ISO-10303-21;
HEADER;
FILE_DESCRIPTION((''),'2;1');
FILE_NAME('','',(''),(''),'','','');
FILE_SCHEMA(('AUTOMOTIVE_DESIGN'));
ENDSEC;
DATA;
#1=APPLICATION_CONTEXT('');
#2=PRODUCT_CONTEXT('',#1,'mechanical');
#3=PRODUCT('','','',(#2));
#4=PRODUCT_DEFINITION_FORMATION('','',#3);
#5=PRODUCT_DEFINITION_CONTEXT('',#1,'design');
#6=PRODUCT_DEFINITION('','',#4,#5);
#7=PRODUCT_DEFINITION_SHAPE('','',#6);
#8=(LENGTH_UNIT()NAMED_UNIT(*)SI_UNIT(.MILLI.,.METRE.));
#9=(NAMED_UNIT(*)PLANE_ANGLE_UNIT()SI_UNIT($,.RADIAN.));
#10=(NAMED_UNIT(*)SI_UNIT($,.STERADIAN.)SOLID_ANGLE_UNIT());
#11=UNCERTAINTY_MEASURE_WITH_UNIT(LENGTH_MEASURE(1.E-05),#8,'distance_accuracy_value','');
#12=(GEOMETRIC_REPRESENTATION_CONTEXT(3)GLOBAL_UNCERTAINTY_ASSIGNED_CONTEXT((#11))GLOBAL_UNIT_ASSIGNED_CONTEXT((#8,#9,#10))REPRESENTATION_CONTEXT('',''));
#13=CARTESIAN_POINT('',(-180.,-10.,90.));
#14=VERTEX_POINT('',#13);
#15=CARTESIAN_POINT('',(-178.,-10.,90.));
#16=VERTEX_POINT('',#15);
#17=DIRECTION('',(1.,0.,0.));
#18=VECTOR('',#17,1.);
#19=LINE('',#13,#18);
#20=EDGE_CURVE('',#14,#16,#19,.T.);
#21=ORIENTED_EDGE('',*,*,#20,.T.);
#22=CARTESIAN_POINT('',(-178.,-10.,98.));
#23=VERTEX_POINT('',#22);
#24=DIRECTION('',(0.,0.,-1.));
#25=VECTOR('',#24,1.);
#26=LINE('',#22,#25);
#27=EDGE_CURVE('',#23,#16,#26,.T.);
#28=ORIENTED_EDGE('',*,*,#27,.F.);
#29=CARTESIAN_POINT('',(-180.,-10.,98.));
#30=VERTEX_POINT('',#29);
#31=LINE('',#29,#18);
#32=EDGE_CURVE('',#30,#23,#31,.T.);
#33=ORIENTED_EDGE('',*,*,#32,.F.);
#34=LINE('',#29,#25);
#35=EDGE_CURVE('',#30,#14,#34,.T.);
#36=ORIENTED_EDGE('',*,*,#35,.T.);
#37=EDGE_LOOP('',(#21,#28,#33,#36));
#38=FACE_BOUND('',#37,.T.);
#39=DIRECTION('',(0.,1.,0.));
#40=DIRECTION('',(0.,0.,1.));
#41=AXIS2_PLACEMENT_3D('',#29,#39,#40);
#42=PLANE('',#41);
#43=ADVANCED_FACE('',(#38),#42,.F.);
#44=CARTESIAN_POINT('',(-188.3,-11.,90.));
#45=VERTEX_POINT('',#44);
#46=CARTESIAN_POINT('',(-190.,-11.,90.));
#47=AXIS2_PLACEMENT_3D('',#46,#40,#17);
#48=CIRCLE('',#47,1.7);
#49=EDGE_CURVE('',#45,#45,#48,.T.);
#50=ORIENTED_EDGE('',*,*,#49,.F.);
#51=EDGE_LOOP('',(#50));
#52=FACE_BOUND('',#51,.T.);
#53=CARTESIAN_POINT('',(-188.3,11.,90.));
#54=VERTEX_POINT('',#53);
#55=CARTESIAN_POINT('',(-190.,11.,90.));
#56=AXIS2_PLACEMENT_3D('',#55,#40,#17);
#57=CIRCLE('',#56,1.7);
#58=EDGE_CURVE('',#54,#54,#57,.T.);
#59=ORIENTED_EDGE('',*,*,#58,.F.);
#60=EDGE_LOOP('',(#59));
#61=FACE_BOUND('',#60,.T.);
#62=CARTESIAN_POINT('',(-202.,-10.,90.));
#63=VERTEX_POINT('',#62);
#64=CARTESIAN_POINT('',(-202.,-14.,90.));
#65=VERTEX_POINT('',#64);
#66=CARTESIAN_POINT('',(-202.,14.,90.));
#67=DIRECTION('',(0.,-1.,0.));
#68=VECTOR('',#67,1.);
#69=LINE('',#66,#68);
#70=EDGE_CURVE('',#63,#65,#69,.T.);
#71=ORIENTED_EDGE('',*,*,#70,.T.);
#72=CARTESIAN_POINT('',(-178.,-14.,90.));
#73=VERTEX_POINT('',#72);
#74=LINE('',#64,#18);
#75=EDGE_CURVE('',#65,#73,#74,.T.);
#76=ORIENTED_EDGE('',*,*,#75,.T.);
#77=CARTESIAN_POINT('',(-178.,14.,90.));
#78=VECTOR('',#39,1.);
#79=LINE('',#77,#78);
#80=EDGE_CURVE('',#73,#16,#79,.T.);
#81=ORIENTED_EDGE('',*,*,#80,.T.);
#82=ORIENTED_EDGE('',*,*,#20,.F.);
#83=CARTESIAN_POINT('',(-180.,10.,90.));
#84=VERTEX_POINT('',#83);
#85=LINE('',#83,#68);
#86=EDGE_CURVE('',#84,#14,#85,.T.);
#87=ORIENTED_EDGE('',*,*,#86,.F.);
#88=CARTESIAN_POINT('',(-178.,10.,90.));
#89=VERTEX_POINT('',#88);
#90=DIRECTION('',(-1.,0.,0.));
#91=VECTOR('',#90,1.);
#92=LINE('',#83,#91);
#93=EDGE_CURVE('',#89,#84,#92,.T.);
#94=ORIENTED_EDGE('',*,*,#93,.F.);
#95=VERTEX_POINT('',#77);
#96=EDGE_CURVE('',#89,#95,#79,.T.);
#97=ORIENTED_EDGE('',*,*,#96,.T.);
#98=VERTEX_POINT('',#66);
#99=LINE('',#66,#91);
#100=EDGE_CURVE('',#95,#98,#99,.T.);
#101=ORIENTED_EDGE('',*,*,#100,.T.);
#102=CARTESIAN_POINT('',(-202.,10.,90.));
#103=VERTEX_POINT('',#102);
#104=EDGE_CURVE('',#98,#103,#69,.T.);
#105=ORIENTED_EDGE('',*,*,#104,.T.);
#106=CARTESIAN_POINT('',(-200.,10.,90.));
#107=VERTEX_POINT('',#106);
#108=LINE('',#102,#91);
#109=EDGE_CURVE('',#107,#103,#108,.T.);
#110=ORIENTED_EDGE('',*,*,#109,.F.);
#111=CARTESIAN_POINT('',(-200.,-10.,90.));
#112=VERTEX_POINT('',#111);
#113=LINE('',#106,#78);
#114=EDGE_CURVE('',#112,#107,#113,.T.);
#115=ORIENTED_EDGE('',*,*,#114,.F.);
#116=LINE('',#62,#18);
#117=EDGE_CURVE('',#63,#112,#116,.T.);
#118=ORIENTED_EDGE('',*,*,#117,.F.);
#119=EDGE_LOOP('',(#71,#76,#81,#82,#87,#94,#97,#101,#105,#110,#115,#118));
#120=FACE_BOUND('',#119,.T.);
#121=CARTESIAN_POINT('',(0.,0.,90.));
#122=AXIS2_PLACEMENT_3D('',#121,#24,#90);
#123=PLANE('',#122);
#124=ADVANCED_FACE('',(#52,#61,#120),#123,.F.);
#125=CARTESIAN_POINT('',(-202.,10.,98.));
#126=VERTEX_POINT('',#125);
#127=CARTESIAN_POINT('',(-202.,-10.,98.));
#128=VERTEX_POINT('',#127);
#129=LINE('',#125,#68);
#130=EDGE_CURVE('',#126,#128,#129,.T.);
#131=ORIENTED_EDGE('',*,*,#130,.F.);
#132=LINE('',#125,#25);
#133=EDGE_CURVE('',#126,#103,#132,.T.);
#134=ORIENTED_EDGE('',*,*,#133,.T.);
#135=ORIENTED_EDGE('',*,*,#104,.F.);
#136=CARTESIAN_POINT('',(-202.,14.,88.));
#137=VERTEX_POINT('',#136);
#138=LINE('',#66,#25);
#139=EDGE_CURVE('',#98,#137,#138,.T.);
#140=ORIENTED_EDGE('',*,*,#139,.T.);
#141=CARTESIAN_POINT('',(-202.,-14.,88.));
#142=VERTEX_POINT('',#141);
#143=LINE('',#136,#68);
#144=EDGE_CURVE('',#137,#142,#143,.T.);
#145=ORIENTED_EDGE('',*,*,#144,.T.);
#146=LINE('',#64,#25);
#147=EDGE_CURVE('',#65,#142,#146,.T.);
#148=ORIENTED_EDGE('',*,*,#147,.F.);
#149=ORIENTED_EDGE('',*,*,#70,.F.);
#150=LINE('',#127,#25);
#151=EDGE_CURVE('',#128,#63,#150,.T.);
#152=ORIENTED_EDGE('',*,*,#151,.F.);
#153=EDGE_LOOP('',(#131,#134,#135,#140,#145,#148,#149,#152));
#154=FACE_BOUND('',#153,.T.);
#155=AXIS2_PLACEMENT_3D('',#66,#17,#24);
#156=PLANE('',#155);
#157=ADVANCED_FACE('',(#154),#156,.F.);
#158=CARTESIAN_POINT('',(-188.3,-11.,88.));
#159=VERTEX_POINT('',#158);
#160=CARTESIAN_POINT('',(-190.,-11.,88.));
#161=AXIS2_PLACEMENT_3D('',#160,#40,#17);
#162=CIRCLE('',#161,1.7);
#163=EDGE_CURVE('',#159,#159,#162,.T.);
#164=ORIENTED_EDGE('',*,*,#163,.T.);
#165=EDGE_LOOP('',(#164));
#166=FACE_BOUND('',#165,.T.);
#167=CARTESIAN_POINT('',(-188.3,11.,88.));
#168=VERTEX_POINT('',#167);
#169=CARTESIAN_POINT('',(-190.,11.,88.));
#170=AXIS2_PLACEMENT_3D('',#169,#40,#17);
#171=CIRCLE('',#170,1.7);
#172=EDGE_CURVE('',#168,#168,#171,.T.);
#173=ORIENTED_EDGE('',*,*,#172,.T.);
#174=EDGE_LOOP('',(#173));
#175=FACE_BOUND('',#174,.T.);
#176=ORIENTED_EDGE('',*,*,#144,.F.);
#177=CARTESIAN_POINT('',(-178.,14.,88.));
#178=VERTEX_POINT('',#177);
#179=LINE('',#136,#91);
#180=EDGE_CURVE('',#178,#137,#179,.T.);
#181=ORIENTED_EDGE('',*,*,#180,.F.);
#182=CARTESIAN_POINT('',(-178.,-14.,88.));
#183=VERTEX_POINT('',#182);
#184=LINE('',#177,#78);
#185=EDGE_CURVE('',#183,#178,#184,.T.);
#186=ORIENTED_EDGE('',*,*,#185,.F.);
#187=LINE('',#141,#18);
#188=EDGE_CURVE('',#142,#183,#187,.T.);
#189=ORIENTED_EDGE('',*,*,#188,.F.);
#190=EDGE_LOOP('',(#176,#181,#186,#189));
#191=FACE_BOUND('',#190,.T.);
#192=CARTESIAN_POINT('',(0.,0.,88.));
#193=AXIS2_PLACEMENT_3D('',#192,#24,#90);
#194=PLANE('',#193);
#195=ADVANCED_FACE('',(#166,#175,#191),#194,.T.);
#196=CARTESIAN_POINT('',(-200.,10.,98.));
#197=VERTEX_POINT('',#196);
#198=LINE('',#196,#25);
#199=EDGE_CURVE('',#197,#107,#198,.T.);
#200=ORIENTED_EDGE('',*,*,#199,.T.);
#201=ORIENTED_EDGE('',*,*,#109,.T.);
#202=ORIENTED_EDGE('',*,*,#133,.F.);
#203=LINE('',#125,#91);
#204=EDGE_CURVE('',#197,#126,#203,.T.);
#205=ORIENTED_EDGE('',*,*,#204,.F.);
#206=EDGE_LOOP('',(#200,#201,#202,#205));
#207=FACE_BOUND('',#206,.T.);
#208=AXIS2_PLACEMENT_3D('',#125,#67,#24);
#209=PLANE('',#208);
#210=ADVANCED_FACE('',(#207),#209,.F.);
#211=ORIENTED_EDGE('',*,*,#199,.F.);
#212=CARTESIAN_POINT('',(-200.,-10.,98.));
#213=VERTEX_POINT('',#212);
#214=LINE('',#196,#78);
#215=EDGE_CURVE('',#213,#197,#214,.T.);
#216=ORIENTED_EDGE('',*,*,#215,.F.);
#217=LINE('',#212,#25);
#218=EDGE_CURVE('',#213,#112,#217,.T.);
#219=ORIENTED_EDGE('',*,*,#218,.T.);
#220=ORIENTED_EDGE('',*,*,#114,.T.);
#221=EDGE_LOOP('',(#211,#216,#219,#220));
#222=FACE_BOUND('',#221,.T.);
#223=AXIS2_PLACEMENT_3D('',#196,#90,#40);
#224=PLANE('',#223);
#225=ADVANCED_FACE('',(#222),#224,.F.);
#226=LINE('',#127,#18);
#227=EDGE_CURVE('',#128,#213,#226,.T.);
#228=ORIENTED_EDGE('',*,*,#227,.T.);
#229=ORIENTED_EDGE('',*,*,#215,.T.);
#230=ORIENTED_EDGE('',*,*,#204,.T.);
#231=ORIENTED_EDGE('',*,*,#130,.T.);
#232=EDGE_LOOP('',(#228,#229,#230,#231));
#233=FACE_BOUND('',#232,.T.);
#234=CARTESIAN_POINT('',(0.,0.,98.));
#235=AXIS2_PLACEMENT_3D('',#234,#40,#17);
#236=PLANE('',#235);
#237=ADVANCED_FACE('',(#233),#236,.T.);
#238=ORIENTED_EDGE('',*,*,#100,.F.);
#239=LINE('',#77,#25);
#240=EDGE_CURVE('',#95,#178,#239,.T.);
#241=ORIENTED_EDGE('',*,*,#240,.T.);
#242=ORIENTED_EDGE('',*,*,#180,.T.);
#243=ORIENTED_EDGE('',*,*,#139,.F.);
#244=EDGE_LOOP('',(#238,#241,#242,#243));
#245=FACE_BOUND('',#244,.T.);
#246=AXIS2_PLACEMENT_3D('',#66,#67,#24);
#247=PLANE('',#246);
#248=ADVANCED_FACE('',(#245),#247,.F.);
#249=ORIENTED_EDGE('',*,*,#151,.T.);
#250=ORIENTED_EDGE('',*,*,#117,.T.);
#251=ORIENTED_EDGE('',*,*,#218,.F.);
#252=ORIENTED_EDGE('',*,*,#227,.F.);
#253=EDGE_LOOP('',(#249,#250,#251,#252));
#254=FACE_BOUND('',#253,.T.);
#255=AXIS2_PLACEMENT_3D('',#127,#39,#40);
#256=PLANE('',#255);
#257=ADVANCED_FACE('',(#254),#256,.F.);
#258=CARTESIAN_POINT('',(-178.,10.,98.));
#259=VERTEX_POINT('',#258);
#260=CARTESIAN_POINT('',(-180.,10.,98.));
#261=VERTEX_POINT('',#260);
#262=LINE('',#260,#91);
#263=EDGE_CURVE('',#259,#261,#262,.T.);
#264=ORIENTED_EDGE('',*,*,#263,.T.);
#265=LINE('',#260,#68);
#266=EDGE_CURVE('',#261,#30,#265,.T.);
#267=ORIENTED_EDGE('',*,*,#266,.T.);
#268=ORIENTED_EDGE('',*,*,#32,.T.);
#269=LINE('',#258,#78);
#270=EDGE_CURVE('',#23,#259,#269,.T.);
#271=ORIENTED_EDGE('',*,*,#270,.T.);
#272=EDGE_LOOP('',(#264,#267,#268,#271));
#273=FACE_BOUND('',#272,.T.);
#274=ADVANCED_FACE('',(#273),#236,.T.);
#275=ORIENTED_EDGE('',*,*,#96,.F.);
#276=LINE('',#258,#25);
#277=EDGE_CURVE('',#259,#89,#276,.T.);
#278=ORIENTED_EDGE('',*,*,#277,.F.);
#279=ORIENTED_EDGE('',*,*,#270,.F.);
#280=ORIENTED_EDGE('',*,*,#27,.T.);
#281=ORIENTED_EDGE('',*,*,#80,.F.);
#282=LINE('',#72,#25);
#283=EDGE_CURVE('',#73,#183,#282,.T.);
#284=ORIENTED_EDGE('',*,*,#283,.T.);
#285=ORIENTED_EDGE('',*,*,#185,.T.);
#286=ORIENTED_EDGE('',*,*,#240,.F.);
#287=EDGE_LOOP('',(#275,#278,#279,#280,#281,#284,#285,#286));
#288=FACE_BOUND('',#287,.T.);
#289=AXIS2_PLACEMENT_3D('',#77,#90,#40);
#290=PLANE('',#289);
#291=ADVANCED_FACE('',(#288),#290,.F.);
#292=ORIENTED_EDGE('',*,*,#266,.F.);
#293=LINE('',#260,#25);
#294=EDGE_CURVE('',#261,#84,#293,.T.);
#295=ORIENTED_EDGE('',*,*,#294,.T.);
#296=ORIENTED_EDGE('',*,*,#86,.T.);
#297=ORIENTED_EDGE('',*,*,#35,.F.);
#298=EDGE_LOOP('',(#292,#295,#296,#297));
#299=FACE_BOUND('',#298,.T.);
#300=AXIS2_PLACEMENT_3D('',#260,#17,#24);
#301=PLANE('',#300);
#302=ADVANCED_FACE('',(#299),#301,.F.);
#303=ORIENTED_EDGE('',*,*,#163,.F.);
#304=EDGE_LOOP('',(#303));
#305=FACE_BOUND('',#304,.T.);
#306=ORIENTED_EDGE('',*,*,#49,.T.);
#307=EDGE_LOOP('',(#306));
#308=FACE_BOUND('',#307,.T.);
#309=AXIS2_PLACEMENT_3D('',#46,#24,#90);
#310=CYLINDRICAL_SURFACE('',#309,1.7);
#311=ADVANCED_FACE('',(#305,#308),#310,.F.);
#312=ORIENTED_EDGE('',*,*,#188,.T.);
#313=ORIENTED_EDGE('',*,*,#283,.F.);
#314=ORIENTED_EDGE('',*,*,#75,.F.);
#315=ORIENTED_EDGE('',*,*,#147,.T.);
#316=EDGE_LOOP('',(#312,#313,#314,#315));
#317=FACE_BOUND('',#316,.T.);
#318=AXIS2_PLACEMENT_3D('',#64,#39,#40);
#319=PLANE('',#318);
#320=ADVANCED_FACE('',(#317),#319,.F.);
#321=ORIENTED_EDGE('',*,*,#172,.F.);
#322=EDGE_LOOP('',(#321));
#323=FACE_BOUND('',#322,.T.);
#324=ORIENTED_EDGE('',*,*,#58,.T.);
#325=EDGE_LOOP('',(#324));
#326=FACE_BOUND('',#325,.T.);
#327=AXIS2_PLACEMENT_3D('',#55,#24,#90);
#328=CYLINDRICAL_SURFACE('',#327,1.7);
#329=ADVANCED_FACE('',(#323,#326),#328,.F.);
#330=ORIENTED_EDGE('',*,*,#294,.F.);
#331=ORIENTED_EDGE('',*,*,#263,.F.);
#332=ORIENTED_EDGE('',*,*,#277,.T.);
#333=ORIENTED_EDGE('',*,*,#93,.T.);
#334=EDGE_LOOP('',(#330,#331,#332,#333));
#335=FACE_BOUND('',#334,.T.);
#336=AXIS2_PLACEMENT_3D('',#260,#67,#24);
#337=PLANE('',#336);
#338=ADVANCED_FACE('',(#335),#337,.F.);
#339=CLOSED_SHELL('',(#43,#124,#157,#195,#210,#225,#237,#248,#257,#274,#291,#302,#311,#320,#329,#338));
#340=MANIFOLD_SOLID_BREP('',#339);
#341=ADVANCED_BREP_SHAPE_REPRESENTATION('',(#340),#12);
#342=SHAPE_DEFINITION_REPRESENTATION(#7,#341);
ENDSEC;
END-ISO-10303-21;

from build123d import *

# Parameters (mm, degrees)
MAIN_PROFILE_SKETCH_W     = 24
MAIN_PROFILE_SKETCH_H     = 28
MAIN_PROFILE_SKETCH_R     = 1.7
MAIN_EXTRUSION_DEPTH      = 2
DETAIL_PROFILE_2_SKETCH_W = 2
DETAIL_PROFILE_2_SKETCH_H = 20
DETAIL_EXTRUSION_2_DEPTH  = 8


with BuildPart() as part:
    # Main Profile Sketch → Main Extrusion (new body)
    with BuildSketch(Plane.XY.offset(88)):
        with Locations((-190, 0)):
            Rectangle(MAIN_PROFILE_SKETCH_W, MAIN_PROFILE_SKETCH_H)
        with Locations((-190, -11)):
            Circle(MAIN_PROFILE_SKETCH_R, mode=Mode.SUBTRACT)
        with Locations((-190, 11)):
            Circle(MAIN_PROFILE_SKETCH_R, mode=Mode.SUBTRACT)
    extrude(amount=MAIN_EXTRUSION_DEPTH)

    # Detail Profile 2 Sketch → Detail Extrusion 2 (add)
    with BuildSketch(Plane.XY.offset(90)):
        with Locations((-179, 0)):
            Rectangle(DETAIL_PROFILE_2_SKETCH_W, DETAIL_PROFILE_2_SKETCH_H)
        with Locations((-201, 0)):
            Rectangle(DETAIL_PROFILE_2_SKETCH_W, DETAIL_PROFILE_2_SKETCH_H)
    extrude(amount=DETAIL_EXTRUSION_2_DEPTH)


solid = part.part
